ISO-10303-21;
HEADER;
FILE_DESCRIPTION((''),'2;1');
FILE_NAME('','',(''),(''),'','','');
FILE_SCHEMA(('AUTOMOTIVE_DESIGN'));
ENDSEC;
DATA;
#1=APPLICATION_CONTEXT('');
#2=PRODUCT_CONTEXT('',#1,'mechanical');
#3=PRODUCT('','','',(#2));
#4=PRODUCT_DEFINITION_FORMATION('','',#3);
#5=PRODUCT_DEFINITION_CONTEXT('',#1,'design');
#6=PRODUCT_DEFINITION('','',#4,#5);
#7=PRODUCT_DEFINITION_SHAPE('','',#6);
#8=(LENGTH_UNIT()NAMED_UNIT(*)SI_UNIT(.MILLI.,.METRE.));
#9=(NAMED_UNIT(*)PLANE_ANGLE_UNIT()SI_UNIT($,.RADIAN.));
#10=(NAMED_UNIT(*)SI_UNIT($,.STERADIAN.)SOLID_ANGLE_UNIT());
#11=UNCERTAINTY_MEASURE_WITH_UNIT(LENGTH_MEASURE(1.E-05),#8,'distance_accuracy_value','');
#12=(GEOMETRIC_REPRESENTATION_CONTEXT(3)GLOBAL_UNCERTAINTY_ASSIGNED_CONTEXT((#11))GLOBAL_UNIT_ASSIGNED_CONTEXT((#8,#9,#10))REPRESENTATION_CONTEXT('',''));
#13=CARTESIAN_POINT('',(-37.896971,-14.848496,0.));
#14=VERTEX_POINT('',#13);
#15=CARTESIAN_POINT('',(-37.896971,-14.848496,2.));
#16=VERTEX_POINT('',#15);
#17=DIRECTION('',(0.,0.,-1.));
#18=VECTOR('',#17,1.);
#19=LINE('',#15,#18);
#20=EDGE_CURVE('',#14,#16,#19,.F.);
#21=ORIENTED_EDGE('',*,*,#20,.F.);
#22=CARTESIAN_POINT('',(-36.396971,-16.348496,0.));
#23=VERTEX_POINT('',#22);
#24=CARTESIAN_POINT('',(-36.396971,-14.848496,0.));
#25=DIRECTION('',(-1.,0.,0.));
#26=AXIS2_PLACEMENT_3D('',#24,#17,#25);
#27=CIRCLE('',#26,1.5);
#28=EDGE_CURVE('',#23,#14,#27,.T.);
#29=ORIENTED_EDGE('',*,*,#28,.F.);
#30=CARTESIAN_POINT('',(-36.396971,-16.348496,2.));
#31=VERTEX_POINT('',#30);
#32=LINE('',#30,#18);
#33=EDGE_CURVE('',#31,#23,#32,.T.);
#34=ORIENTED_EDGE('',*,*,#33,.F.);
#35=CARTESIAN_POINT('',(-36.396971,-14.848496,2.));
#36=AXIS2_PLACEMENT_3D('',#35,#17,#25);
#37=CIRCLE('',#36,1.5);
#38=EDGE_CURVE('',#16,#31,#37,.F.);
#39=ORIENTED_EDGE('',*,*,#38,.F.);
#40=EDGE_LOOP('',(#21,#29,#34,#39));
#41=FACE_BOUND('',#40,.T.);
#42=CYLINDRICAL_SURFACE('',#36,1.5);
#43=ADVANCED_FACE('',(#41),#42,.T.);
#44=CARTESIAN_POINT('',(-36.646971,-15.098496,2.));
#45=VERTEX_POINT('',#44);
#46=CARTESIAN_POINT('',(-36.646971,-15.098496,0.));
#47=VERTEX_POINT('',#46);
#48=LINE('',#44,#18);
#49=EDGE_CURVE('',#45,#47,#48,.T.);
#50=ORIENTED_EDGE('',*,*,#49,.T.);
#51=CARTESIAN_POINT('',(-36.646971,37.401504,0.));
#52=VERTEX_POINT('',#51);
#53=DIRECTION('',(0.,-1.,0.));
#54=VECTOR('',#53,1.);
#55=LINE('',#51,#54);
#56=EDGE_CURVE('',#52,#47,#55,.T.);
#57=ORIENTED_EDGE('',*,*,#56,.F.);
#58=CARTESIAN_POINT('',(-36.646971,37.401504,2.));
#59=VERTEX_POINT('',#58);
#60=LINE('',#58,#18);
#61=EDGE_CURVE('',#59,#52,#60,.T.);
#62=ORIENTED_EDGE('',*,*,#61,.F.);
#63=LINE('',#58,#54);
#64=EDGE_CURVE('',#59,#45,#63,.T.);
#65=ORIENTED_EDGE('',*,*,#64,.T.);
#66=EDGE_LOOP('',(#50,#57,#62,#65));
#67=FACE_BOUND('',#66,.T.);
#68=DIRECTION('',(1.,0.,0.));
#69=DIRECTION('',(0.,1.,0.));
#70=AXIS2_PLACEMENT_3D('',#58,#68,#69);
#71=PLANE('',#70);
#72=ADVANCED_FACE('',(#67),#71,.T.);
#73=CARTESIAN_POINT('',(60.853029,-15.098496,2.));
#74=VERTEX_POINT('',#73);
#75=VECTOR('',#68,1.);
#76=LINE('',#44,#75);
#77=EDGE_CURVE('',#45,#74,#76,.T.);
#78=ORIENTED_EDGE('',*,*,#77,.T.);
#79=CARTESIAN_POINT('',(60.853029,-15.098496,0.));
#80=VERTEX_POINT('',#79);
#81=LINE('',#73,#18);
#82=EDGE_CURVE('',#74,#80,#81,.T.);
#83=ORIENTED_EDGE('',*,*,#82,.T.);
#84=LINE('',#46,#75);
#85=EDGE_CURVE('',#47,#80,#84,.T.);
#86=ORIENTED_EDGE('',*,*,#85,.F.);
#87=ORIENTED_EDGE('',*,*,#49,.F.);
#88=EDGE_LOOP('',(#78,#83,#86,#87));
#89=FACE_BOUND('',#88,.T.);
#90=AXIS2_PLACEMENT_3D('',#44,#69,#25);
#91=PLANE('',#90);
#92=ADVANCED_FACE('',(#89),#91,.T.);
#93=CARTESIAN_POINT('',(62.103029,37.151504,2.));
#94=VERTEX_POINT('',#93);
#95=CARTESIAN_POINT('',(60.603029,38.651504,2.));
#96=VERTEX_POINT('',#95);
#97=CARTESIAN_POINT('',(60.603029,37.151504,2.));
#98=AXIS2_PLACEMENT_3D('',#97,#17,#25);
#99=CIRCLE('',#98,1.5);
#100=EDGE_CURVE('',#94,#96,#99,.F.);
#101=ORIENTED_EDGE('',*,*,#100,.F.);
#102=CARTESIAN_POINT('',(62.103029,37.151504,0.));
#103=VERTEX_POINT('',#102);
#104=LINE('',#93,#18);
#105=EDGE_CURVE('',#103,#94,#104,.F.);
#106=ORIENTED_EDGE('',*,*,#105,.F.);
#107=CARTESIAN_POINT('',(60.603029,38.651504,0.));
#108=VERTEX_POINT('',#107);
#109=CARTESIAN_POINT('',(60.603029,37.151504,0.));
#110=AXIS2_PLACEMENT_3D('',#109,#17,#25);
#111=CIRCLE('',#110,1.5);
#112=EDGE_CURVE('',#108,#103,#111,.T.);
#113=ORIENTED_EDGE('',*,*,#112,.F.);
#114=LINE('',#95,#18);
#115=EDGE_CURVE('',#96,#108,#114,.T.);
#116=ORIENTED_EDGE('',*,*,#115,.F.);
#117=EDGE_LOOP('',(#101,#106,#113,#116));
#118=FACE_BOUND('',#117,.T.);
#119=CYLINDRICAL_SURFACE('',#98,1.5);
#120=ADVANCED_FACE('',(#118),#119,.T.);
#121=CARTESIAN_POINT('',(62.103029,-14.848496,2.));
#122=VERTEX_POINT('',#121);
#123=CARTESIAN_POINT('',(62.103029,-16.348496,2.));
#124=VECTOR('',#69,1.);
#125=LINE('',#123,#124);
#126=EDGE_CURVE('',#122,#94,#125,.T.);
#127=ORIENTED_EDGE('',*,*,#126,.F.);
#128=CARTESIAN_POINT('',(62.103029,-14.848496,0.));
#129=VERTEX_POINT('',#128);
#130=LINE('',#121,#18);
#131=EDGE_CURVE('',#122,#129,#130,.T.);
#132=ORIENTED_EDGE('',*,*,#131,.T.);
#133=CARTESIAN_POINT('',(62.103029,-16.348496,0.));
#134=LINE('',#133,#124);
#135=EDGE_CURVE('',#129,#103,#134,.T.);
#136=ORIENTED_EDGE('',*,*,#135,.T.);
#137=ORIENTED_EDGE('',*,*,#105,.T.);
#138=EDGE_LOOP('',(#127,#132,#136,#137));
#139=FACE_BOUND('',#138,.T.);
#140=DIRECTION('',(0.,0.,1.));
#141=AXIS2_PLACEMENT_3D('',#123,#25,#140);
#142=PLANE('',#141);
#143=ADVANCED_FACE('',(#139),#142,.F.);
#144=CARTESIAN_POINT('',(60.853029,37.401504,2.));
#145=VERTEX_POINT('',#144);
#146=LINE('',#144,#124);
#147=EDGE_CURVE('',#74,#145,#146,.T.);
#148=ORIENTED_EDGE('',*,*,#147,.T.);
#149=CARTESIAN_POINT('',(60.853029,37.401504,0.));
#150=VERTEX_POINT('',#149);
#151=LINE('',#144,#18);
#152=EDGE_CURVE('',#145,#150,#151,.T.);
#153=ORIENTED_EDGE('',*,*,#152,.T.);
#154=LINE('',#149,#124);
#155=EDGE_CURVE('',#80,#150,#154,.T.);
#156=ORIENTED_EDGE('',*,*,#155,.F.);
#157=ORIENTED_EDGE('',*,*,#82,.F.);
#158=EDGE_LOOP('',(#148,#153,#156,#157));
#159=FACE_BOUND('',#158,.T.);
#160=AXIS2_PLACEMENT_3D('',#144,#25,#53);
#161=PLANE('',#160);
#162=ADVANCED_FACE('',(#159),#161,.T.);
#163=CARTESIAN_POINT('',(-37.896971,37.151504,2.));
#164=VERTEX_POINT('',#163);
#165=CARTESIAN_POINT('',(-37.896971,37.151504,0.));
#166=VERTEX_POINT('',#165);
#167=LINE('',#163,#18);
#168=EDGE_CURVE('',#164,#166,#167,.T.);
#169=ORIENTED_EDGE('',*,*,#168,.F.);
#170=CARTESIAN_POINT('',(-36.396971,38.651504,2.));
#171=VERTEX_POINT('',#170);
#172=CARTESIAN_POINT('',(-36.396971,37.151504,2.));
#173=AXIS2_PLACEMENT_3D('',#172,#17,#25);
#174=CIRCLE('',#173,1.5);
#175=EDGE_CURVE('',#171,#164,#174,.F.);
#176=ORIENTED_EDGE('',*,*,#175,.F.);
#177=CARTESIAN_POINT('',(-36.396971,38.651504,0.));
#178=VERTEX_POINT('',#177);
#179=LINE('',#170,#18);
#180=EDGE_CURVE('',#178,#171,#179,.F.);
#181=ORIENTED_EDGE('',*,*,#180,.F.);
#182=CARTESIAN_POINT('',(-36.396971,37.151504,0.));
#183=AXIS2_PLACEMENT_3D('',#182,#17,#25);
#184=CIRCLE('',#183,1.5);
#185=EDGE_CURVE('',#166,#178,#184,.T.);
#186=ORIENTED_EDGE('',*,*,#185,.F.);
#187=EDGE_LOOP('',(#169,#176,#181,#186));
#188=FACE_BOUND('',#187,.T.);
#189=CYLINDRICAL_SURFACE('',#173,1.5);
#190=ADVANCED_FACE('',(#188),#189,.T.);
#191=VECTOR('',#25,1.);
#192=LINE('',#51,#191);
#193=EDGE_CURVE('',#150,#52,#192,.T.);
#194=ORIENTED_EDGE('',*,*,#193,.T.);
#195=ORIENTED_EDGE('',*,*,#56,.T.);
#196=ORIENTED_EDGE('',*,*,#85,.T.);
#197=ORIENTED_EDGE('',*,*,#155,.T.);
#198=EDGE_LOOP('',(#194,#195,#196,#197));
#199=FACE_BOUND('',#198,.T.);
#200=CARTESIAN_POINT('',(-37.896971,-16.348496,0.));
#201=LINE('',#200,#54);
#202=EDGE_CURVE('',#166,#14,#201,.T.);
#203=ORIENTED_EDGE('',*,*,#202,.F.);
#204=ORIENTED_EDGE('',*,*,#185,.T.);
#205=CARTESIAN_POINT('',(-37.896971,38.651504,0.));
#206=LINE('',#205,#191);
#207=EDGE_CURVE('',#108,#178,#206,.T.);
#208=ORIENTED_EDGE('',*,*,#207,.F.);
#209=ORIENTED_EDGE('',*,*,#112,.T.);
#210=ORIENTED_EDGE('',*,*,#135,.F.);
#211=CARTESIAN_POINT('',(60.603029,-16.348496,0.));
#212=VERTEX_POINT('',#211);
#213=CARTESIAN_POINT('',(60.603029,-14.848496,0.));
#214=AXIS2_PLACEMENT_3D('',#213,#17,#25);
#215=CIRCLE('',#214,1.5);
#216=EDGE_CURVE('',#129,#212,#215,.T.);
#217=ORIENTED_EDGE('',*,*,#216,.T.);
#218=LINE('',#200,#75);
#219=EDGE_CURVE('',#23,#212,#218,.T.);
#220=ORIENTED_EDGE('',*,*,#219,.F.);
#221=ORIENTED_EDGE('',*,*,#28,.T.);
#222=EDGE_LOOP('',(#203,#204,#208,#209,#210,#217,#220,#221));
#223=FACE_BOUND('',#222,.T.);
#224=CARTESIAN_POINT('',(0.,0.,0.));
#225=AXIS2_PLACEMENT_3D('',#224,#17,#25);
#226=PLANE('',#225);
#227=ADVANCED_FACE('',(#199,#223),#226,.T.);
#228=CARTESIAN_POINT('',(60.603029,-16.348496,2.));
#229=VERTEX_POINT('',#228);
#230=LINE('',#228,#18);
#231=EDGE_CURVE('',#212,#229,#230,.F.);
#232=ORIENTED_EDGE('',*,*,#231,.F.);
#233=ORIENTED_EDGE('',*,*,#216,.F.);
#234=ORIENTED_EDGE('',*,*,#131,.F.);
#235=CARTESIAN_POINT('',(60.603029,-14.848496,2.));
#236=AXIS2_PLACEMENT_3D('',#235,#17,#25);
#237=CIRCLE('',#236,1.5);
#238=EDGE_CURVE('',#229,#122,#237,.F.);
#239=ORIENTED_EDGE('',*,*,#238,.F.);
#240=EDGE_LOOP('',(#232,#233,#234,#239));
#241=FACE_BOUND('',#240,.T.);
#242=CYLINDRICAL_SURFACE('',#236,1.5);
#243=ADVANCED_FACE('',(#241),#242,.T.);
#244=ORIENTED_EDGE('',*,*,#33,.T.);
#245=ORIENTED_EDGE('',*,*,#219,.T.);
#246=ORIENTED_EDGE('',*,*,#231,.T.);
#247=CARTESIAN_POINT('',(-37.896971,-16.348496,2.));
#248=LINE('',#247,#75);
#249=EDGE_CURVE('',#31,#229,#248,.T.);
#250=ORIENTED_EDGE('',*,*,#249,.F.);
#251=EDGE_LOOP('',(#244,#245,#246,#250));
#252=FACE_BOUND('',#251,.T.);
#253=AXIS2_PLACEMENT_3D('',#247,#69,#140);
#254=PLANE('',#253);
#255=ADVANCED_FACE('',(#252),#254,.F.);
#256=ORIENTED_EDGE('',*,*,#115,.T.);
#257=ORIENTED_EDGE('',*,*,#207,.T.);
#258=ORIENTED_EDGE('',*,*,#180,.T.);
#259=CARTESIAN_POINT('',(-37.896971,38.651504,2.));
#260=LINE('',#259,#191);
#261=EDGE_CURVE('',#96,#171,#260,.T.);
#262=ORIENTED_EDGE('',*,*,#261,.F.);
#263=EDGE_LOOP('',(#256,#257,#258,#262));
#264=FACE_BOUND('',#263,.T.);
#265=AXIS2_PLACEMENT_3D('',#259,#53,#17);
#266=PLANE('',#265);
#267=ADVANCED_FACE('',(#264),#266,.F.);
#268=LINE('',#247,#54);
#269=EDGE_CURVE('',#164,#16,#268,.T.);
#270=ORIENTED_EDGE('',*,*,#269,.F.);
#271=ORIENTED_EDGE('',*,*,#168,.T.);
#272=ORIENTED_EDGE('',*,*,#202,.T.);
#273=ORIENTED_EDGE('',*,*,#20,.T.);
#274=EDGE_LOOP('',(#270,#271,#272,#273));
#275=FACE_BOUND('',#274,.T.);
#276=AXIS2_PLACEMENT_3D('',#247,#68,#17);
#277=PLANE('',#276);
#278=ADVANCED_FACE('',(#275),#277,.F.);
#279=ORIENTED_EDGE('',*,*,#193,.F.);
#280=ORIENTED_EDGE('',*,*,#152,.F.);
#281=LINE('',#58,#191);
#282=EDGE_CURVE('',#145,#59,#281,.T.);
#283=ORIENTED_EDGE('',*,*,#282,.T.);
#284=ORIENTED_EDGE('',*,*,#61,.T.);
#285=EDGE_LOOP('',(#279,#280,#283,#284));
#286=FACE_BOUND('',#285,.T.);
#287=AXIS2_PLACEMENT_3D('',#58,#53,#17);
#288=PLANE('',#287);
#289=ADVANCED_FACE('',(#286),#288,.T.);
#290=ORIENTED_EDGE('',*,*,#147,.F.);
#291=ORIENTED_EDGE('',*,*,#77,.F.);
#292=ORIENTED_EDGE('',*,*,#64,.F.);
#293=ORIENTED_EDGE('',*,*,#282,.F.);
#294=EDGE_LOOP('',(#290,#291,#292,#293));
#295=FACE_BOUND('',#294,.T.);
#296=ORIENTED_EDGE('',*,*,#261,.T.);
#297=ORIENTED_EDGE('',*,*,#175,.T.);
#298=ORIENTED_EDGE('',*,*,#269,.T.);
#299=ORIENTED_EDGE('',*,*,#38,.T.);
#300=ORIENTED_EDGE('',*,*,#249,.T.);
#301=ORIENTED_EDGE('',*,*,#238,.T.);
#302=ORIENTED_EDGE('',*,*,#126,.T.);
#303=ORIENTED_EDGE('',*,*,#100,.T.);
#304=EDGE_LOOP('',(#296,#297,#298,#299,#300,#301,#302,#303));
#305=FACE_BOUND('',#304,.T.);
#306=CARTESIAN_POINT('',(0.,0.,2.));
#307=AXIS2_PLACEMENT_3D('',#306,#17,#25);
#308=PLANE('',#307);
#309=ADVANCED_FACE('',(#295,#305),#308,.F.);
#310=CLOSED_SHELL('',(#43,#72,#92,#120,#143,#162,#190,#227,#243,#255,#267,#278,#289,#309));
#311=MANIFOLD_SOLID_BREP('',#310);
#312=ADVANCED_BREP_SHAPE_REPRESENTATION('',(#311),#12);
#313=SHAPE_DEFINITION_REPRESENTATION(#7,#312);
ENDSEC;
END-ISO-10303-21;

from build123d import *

# Parameters (mm, degrees)
SKETCH1_W           = 100
SKETCH1_H           = 55
SKETCH1_W_2         = 97.5
SKETCH1_H_2         = 52.5
BOSS_EXTRUDE1_DEPTH = 2
FILLET1_R           = 1.5


with BuildPart() as part:
    # Sketch1 → Boss-Extrude1 (new body)
    with BuildSketch(Plane.XY):
        with Locations((12.10302883, 11.151503687)):
            Rectangle(SKETCH1_W, SKETCH1_H)
        with Locations((12.10302883, 11.151503687)):
            Rectangle(SKETCH1_W_2, SKETCH1_H_2, mode=Mode.SUBTRACT)
    extrude(amount=BOSS_EXTRUDE1_DEPTH)

    # Fillet1
    fillet1_edges = [part.edges().sort_by_distance(p)[0] for p in [
        (-37.89697117, 38.651503687, 1),
        (62.10302883, 38.651503687, 1),
        (62.10302883, -16.348496313, 1),
        (-37.89697117, -16.348496313, 1),
    ]]
    fillet(fillet1_edges, radius=FILLET1_R)


solid = part.part
